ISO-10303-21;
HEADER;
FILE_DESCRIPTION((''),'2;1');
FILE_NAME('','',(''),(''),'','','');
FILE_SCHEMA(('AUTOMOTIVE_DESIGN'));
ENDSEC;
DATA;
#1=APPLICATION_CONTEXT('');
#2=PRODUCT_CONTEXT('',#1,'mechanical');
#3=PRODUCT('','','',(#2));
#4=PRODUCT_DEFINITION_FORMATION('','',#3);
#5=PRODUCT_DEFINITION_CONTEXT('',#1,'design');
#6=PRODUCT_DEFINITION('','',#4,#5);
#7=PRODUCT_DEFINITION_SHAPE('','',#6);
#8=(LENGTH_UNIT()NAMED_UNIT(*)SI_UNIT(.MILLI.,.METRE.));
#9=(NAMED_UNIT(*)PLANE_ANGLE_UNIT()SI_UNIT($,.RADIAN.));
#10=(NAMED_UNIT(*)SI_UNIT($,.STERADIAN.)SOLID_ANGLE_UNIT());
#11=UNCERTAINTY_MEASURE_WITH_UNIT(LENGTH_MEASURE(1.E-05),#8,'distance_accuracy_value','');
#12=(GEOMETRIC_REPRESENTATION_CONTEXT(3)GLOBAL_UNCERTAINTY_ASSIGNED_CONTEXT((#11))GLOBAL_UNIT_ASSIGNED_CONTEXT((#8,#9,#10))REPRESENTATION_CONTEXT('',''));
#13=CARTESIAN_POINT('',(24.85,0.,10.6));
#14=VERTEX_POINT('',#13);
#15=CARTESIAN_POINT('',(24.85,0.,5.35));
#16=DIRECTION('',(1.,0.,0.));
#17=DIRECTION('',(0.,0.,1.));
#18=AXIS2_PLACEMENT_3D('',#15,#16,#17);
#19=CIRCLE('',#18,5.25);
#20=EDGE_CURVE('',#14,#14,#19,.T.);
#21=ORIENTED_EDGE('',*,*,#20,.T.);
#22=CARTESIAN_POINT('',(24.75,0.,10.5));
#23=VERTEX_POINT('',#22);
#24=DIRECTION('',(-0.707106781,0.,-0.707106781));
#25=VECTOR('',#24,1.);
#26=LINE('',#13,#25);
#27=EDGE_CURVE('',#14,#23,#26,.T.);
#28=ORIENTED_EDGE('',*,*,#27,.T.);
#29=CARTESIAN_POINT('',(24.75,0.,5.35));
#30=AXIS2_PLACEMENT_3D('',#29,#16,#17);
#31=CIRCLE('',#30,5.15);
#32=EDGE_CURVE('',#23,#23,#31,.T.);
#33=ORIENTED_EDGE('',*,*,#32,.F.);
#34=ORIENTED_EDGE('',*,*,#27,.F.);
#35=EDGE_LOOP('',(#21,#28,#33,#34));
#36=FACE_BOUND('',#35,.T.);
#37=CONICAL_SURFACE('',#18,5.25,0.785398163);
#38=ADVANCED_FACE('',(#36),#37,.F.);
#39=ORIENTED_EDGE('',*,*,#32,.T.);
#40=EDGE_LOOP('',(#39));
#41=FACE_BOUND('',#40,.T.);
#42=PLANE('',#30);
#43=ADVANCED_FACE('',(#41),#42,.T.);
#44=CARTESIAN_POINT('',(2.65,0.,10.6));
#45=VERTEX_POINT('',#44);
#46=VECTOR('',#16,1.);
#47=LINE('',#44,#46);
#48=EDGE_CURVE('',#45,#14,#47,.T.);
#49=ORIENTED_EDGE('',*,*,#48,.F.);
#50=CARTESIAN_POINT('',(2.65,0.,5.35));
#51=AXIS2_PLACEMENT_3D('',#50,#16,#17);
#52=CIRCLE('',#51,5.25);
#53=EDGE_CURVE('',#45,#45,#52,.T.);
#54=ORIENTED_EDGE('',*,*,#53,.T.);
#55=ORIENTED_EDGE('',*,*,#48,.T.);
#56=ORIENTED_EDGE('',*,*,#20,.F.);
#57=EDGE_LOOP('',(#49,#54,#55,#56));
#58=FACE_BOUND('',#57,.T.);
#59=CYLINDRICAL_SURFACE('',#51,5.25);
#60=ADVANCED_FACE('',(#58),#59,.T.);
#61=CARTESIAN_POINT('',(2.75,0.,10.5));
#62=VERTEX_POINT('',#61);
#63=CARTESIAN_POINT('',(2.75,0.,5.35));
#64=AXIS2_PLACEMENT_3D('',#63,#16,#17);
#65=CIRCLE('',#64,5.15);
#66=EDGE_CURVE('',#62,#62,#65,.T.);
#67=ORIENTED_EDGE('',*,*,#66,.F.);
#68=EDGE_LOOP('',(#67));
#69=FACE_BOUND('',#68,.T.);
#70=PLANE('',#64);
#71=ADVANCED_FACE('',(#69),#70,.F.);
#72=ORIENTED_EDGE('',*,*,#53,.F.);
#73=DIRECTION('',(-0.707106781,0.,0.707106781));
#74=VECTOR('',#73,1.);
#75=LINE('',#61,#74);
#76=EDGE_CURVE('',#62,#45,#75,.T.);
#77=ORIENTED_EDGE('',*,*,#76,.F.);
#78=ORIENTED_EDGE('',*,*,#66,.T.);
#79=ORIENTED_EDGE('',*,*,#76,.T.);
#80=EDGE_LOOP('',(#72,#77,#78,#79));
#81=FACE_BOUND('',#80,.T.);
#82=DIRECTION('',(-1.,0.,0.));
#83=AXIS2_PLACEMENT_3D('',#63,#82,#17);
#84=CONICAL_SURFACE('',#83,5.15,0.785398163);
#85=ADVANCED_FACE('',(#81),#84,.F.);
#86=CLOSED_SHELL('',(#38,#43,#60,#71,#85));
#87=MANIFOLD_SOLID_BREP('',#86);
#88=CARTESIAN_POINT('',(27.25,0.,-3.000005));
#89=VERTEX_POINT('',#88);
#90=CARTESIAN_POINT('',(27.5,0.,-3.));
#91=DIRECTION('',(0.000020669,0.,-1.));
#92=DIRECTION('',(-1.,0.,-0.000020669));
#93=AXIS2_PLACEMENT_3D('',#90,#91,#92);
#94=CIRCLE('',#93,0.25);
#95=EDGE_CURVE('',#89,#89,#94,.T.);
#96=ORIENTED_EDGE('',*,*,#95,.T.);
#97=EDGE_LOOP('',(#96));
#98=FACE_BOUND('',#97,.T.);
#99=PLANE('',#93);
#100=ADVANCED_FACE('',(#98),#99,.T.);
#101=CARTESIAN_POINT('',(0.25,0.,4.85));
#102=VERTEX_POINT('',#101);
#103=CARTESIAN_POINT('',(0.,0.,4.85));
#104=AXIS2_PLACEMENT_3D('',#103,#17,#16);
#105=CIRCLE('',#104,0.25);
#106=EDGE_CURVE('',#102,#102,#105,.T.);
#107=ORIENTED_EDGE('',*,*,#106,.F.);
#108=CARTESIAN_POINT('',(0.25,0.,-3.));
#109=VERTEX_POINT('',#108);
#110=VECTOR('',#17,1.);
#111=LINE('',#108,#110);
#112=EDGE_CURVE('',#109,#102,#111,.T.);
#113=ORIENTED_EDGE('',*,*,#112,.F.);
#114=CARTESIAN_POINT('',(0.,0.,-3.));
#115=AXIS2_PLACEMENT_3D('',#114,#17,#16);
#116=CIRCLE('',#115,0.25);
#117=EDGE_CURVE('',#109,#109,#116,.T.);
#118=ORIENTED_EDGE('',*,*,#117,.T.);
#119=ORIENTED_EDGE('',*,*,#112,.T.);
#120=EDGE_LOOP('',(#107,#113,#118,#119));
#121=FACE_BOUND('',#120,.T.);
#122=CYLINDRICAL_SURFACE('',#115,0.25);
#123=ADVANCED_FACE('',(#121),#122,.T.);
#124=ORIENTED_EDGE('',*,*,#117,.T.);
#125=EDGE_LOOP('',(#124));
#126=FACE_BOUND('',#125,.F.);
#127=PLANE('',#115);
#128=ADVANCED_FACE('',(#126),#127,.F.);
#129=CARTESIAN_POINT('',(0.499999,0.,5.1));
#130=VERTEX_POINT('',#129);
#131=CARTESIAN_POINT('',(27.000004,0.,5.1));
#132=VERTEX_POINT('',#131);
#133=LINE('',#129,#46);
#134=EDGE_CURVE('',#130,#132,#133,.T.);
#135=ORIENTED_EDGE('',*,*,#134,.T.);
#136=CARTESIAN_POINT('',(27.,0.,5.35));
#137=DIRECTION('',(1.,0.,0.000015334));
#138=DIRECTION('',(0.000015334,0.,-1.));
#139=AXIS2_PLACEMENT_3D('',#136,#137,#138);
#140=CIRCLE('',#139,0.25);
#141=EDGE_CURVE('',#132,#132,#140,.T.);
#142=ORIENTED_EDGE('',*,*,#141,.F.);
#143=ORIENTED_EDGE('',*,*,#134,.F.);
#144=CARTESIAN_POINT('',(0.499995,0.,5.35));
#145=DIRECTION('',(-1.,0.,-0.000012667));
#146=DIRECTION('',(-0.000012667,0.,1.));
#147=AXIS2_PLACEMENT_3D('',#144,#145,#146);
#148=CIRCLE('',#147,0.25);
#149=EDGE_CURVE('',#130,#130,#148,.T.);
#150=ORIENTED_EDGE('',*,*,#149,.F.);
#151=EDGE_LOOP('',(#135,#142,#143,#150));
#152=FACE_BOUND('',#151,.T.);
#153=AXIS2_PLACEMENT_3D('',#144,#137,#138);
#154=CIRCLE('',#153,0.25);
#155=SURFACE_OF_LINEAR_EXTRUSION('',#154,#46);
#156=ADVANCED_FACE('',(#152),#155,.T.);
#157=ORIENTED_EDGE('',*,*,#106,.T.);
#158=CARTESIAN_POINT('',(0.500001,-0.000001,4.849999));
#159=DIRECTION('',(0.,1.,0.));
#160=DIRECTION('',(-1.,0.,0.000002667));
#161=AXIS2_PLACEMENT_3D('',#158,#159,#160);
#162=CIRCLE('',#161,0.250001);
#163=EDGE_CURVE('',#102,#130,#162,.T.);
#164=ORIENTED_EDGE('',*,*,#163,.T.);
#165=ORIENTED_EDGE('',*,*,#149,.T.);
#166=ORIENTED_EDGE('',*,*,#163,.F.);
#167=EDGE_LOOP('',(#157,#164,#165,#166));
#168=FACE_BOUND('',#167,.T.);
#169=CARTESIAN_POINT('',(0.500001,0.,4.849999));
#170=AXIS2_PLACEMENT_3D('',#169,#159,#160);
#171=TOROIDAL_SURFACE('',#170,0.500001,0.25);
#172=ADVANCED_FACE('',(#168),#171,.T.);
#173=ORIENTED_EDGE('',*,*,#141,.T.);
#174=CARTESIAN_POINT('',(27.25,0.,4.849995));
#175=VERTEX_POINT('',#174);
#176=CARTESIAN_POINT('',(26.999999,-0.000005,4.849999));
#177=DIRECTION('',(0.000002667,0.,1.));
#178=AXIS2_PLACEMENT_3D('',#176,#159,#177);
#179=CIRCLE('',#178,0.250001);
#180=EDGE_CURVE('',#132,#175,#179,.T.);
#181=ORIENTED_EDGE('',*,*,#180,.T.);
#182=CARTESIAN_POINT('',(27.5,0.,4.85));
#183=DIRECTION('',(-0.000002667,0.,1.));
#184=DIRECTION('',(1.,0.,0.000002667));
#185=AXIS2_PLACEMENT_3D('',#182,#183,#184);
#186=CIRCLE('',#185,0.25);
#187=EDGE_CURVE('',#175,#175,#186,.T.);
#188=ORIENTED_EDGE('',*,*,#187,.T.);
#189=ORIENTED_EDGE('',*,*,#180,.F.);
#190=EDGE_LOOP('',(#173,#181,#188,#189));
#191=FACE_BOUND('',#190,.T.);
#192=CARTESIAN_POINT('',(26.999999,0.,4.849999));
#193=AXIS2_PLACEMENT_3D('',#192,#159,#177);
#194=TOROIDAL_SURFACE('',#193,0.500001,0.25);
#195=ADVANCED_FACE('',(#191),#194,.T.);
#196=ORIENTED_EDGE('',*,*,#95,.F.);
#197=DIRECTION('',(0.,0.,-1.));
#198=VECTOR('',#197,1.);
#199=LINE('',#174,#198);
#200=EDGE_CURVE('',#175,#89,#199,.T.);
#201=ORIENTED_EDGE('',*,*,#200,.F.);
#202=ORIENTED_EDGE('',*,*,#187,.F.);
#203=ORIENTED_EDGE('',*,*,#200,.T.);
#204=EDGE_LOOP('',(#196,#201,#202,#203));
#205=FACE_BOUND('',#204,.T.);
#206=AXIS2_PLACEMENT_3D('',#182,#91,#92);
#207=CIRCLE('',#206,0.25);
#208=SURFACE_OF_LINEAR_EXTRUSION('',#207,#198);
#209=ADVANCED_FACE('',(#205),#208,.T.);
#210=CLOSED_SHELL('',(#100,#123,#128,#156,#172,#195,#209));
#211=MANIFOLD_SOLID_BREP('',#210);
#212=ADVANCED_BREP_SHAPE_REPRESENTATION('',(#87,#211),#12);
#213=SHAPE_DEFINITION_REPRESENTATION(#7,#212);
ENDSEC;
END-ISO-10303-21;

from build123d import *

# Parameters (mm, degrees)
SKETCH_R = 0.25


with BuildPart() as sweep_body:
    # Sweep: sweep along a path in Sketch001
    with BuildLine(Plane.XZ) as sweep_path:
        Line((0, -3), (0, 4.85))
        ThreePointArc((0, 4.85), (0.146445, 5.203551), (0.499995, 5.35))
        Line((0.499995, 5.35), (27, 5.35))
        ThreePointArc((27, 5.35), (27.353553, 5.203553), (27.5, 4.85))
        Line((27.5, 4.85), (27.5, -3))
    # Sketch → Sweep (sweep)
    with BuildSketch(Plane.XY.offset(-2)):
        Circle(SKETCH_R)
    sweep(path=sweep_path.line)


with BuildPart() as revolution:
    # Sketch002 → Revolution (revolve)
    with BuildSketch(Plane.XZ):
        Polygon((2.65, 10.6), (24.85, 10.6), (24.75, 10.5), (24.75, 5.35), (2.75, 5.35), (2.75, 10.5), align=None)
    revolve(axis=Axis((7.611803, 0, 5.35), (1, 0, 0)))


solid = Compound([sweep_body.part, revolution.part])
